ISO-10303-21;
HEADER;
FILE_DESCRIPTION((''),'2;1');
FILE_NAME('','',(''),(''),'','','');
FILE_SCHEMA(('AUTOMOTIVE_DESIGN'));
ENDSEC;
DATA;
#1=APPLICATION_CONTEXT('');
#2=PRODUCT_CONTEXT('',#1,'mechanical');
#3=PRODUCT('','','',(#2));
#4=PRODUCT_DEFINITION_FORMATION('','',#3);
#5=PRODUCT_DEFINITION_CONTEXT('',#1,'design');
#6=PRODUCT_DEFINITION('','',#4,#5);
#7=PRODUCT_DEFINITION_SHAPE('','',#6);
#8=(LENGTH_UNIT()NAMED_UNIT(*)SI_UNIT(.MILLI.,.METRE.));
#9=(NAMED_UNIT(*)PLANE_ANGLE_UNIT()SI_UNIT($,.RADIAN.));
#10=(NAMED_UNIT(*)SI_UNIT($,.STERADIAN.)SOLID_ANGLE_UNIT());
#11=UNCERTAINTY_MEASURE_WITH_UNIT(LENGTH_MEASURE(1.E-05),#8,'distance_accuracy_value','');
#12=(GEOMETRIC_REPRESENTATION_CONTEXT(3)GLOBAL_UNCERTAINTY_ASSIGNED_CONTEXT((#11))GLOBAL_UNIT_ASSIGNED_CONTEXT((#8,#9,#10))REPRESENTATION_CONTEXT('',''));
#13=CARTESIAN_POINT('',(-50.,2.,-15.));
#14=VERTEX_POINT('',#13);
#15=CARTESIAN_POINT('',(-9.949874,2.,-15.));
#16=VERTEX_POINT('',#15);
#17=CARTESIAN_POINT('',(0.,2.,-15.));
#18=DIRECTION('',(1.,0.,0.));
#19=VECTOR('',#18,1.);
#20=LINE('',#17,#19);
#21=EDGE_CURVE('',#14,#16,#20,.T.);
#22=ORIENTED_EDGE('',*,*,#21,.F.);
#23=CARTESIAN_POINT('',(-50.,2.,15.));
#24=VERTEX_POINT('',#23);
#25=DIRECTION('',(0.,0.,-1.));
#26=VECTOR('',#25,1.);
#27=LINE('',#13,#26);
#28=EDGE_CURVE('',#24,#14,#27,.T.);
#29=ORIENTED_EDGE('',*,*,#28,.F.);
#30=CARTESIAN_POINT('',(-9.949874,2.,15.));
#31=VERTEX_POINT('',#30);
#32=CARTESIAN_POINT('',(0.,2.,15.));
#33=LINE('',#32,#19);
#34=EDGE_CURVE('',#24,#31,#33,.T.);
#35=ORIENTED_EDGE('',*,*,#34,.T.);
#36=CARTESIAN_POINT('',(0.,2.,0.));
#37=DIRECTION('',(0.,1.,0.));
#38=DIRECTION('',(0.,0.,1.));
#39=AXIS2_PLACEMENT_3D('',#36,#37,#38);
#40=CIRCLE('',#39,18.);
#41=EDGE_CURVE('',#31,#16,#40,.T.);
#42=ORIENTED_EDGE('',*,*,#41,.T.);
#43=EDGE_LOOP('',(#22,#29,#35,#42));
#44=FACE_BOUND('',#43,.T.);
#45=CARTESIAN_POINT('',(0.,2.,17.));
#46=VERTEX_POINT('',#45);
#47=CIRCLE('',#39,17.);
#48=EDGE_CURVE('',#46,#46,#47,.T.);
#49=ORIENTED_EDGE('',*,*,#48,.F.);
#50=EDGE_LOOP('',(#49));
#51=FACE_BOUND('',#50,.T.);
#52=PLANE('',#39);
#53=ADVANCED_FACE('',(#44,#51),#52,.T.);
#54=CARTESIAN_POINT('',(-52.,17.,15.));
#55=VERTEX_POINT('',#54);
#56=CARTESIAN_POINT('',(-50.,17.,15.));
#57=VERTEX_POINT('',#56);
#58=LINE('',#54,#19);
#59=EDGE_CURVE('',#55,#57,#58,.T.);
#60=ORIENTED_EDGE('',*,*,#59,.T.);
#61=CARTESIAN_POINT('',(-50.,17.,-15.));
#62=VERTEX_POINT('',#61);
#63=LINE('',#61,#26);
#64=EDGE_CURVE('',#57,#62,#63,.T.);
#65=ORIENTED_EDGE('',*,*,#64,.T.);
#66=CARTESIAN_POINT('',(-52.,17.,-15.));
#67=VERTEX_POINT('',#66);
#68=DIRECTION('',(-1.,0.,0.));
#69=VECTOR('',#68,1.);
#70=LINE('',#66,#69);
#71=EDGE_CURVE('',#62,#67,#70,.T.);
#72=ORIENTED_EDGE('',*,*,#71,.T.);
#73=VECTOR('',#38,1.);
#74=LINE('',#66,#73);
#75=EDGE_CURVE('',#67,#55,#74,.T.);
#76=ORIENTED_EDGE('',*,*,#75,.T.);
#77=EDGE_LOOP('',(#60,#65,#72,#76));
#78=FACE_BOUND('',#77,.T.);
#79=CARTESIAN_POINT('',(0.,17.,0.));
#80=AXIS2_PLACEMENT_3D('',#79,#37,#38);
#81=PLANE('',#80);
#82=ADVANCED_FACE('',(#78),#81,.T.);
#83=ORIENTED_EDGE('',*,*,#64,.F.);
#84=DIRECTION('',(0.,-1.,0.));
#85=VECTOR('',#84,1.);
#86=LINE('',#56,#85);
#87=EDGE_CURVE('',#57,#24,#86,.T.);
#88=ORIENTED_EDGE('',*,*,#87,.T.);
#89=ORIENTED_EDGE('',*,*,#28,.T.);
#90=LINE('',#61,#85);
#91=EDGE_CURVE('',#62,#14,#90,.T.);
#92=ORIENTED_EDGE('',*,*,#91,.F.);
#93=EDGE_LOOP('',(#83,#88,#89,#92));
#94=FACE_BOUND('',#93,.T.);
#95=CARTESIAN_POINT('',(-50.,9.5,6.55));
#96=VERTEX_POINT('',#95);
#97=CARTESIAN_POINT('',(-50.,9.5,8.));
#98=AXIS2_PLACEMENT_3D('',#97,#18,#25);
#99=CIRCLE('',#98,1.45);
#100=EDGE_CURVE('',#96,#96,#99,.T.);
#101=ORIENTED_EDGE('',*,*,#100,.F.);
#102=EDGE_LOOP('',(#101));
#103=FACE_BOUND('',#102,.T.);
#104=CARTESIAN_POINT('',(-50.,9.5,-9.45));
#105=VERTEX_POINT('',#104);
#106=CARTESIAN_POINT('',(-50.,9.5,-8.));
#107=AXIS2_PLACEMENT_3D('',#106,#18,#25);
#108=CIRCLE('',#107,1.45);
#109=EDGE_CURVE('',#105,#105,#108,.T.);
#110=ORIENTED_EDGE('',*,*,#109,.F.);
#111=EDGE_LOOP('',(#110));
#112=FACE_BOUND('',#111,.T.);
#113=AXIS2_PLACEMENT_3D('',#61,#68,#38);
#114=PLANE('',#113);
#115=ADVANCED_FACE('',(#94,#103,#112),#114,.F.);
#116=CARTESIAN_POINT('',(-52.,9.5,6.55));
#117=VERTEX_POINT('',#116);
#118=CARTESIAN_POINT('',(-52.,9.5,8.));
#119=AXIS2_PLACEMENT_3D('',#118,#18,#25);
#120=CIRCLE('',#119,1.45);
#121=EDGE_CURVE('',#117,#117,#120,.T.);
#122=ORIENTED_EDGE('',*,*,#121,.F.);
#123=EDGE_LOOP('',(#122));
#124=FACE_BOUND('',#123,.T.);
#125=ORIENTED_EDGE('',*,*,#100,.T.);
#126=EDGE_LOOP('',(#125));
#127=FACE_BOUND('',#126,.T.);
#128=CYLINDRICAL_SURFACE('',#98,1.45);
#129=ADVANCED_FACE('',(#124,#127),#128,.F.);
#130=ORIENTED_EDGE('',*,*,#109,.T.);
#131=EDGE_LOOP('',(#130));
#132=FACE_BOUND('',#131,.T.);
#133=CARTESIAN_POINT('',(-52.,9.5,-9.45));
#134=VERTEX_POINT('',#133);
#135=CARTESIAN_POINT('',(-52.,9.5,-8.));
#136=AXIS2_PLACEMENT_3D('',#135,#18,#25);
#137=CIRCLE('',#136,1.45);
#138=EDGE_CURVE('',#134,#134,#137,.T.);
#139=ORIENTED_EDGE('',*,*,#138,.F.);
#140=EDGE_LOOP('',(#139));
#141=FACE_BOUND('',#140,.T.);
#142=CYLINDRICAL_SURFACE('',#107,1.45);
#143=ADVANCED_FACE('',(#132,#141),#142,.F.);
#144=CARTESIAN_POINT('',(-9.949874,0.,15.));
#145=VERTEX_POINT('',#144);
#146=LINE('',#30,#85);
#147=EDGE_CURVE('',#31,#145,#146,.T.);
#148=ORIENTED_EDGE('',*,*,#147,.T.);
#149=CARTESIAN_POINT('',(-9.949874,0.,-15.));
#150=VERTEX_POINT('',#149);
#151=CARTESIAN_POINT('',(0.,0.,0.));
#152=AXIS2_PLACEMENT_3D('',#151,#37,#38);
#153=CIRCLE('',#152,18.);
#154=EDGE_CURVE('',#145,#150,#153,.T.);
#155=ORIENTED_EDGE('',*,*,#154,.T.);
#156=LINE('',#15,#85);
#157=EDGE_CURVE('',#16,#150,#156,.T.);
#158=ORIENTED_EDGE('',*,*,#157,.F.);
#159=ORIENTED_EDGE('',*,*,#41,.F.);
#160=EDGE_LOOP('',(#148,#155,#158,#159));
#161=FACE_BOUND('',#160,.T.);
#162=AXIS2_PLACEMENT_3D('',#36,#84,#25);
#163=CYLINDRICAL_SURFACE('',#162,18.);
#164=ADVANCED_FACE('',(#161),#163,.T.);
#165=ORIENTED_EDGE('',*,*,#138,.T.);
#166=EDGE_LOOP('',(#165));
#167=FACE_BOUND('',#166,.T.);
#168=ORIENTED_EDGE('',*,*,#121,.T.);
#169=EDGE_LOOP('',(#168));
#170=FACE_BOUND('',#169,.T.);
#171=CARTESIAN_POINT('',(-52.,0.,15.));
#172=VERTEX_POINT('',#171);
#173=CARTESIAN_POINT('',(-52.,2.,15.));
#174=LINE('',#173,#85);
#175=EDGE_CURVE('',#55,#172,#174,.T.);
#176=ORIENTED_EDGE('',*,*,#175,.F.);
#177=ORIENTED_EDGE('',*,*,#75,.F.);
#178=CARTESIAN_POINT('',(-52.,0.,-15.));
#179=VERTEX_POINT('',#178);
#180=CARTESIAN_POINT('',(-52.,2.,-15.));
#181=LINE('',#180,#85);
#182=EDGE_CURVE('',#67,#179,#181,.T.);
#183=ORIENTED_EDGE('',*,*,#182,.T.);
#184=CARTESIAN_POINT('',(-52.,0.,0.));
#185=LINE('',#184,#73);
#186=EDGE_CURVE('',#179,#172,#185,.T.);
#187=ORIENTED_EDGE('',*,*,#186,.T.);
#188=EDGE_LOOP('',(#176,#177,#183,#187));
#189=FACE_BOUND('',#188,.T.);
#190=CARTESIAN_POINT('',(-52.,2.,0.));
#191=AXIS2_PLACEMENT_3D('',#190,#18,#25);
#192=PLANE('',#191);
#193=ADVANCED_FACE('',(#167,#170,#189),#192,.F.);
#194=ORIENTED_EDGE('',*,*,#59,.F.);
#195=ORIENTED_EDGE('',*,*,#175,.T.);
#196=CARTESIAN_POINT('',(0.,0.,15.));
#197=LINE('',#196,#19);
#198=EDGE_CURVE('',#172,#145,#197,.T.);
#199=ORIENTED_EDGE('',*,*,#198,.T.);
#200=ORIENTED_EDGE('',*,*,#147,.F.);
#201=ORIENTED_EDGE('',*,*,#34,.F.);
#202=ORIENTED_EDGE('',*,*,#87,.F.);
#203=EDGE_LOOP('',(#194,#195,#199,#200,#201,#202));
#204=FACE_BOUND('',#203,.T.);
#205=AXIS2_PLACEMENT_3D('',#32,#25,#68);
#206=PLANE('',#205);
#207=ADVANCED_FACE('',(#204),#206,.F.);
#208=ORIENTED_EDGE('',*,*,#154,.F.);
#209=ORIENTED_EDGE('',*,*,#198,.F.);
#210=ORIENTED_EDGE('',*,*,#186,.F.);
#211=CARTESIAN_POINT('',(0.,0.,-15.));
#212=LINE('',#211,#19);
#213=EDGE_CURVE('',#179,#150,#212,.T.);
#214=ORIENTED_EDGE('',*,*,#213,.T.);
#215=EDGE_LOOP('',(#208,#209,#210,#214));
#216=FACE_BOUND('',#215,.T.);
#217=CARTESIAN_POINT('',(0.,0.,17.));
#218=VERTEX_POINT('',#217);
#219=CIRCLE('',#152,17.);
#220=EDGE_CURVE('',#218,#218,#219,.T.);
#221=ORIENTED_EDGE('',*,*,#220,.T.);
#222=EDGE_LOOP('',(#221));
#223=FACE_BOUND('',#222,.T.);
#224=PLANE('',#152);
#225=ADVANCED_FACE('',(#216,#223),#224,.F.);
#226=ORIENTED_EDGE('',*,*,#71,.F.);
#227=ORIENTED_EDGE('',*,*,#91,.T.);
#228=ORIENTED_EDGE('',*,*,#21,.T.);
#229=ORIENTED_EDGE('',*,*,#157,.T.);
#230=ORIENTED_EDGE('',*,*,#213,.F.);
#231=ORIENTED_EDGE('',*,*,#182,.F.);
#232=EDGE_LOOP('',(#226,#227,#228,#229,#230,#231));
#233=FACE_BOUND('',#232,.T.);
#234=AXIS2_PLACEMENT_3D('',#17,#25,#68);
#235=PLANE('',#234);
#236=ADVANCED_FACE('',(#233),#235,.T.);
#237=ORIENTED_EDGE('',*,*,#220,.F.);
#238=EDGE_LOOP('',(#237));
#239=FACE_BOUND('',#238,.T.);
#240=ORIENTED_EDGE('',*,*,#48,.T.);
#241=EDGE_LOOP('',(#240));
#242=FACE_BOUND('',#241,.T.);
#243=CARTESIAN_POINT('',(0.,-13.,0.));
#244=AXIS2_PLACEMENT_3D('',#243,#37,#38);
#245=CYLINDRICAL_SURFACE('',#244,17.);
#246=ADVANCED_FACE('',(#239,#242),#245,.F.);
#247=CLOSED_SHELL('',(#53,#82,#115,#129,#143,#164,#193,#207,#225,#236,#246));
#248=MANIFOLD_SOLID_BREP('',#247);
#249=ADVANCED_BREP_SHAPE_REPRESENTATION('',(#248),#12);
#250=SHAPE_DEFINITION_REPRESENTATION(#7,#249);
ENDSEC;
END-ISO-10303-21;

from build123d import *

# Parameters (mm, degrees)
SKETCH_1_R           = 18
EXTRUDE_1_DEPTH      = 2
SKETCH_2_W           = 2
SKETCH_2_H           = 30
EXTRUDE_2_DEPTH      = 15
HOLE_WIZARD_M3_5_1_D = 2.9
SKETCH_6_R           = 17
CUT_EXTRUDE_1_DEPTH  = 15


with BuildPart() as part:
    # 草图1 → 凸台-拉伸1 (new body)
    with BuildSketch(Plane(origin=(0, 0, 0), x_dir=(1, 0, 0), z_dir=(0, 1, 0))):
        Circle(SKETCH_1_R)
        with BuildLine():
            Line((-9.949874371, 15), (-52, 15))
            Line((-52, 15), (-52, -15))
            Line((-52, -15), (-9.949874371, -15))
            ThreePointArc((-9.949874371, -15), (-18, 0), (-9.949874371, 15))
        make_face()
    extrude(amount=EXTRUDE_1_DEPTH)

    # 草图2 → 凸台-拉伸2 (add)
    with BuildSketch(Plane(origin=(0, 2, 0), x_dir=(1, 0, 0), z_dir=(0, 1, 0))):
        with Locations((-51, 0)):
            Rectangle(SKETCH_2_W, SKETCH_2_H)
    extrude(amount=EXTRUDE_2_DEPTH)

    # M3.5 螺纹孔1 (through all)
    with Locations(Plane(origin=(-50, 0, 0), x_dir=(0, 0, -1), z_dir=(1, 0, 0))):
        with Locations((-8, 9.5), (8, 9.5)):
            Hole(HOLE_WIZARD_M3_5_1_D / 2)

    # 草图6 → 切除-拉伸1 (cut)
    with BuildSketch(Plane(origin=(0, 2, 0), x_dir=(1, 0, 0), z_dir=(0, 1, 0))):
        with Locations(Location((0, 0, 0), (0, 0, 270))):
            Circle(SKETCH_6_R)
    extrude(amount=-CUT_EXTRUDE_1_DEPTH, mode=Mode.SUBTRACT)


solid = part.part
